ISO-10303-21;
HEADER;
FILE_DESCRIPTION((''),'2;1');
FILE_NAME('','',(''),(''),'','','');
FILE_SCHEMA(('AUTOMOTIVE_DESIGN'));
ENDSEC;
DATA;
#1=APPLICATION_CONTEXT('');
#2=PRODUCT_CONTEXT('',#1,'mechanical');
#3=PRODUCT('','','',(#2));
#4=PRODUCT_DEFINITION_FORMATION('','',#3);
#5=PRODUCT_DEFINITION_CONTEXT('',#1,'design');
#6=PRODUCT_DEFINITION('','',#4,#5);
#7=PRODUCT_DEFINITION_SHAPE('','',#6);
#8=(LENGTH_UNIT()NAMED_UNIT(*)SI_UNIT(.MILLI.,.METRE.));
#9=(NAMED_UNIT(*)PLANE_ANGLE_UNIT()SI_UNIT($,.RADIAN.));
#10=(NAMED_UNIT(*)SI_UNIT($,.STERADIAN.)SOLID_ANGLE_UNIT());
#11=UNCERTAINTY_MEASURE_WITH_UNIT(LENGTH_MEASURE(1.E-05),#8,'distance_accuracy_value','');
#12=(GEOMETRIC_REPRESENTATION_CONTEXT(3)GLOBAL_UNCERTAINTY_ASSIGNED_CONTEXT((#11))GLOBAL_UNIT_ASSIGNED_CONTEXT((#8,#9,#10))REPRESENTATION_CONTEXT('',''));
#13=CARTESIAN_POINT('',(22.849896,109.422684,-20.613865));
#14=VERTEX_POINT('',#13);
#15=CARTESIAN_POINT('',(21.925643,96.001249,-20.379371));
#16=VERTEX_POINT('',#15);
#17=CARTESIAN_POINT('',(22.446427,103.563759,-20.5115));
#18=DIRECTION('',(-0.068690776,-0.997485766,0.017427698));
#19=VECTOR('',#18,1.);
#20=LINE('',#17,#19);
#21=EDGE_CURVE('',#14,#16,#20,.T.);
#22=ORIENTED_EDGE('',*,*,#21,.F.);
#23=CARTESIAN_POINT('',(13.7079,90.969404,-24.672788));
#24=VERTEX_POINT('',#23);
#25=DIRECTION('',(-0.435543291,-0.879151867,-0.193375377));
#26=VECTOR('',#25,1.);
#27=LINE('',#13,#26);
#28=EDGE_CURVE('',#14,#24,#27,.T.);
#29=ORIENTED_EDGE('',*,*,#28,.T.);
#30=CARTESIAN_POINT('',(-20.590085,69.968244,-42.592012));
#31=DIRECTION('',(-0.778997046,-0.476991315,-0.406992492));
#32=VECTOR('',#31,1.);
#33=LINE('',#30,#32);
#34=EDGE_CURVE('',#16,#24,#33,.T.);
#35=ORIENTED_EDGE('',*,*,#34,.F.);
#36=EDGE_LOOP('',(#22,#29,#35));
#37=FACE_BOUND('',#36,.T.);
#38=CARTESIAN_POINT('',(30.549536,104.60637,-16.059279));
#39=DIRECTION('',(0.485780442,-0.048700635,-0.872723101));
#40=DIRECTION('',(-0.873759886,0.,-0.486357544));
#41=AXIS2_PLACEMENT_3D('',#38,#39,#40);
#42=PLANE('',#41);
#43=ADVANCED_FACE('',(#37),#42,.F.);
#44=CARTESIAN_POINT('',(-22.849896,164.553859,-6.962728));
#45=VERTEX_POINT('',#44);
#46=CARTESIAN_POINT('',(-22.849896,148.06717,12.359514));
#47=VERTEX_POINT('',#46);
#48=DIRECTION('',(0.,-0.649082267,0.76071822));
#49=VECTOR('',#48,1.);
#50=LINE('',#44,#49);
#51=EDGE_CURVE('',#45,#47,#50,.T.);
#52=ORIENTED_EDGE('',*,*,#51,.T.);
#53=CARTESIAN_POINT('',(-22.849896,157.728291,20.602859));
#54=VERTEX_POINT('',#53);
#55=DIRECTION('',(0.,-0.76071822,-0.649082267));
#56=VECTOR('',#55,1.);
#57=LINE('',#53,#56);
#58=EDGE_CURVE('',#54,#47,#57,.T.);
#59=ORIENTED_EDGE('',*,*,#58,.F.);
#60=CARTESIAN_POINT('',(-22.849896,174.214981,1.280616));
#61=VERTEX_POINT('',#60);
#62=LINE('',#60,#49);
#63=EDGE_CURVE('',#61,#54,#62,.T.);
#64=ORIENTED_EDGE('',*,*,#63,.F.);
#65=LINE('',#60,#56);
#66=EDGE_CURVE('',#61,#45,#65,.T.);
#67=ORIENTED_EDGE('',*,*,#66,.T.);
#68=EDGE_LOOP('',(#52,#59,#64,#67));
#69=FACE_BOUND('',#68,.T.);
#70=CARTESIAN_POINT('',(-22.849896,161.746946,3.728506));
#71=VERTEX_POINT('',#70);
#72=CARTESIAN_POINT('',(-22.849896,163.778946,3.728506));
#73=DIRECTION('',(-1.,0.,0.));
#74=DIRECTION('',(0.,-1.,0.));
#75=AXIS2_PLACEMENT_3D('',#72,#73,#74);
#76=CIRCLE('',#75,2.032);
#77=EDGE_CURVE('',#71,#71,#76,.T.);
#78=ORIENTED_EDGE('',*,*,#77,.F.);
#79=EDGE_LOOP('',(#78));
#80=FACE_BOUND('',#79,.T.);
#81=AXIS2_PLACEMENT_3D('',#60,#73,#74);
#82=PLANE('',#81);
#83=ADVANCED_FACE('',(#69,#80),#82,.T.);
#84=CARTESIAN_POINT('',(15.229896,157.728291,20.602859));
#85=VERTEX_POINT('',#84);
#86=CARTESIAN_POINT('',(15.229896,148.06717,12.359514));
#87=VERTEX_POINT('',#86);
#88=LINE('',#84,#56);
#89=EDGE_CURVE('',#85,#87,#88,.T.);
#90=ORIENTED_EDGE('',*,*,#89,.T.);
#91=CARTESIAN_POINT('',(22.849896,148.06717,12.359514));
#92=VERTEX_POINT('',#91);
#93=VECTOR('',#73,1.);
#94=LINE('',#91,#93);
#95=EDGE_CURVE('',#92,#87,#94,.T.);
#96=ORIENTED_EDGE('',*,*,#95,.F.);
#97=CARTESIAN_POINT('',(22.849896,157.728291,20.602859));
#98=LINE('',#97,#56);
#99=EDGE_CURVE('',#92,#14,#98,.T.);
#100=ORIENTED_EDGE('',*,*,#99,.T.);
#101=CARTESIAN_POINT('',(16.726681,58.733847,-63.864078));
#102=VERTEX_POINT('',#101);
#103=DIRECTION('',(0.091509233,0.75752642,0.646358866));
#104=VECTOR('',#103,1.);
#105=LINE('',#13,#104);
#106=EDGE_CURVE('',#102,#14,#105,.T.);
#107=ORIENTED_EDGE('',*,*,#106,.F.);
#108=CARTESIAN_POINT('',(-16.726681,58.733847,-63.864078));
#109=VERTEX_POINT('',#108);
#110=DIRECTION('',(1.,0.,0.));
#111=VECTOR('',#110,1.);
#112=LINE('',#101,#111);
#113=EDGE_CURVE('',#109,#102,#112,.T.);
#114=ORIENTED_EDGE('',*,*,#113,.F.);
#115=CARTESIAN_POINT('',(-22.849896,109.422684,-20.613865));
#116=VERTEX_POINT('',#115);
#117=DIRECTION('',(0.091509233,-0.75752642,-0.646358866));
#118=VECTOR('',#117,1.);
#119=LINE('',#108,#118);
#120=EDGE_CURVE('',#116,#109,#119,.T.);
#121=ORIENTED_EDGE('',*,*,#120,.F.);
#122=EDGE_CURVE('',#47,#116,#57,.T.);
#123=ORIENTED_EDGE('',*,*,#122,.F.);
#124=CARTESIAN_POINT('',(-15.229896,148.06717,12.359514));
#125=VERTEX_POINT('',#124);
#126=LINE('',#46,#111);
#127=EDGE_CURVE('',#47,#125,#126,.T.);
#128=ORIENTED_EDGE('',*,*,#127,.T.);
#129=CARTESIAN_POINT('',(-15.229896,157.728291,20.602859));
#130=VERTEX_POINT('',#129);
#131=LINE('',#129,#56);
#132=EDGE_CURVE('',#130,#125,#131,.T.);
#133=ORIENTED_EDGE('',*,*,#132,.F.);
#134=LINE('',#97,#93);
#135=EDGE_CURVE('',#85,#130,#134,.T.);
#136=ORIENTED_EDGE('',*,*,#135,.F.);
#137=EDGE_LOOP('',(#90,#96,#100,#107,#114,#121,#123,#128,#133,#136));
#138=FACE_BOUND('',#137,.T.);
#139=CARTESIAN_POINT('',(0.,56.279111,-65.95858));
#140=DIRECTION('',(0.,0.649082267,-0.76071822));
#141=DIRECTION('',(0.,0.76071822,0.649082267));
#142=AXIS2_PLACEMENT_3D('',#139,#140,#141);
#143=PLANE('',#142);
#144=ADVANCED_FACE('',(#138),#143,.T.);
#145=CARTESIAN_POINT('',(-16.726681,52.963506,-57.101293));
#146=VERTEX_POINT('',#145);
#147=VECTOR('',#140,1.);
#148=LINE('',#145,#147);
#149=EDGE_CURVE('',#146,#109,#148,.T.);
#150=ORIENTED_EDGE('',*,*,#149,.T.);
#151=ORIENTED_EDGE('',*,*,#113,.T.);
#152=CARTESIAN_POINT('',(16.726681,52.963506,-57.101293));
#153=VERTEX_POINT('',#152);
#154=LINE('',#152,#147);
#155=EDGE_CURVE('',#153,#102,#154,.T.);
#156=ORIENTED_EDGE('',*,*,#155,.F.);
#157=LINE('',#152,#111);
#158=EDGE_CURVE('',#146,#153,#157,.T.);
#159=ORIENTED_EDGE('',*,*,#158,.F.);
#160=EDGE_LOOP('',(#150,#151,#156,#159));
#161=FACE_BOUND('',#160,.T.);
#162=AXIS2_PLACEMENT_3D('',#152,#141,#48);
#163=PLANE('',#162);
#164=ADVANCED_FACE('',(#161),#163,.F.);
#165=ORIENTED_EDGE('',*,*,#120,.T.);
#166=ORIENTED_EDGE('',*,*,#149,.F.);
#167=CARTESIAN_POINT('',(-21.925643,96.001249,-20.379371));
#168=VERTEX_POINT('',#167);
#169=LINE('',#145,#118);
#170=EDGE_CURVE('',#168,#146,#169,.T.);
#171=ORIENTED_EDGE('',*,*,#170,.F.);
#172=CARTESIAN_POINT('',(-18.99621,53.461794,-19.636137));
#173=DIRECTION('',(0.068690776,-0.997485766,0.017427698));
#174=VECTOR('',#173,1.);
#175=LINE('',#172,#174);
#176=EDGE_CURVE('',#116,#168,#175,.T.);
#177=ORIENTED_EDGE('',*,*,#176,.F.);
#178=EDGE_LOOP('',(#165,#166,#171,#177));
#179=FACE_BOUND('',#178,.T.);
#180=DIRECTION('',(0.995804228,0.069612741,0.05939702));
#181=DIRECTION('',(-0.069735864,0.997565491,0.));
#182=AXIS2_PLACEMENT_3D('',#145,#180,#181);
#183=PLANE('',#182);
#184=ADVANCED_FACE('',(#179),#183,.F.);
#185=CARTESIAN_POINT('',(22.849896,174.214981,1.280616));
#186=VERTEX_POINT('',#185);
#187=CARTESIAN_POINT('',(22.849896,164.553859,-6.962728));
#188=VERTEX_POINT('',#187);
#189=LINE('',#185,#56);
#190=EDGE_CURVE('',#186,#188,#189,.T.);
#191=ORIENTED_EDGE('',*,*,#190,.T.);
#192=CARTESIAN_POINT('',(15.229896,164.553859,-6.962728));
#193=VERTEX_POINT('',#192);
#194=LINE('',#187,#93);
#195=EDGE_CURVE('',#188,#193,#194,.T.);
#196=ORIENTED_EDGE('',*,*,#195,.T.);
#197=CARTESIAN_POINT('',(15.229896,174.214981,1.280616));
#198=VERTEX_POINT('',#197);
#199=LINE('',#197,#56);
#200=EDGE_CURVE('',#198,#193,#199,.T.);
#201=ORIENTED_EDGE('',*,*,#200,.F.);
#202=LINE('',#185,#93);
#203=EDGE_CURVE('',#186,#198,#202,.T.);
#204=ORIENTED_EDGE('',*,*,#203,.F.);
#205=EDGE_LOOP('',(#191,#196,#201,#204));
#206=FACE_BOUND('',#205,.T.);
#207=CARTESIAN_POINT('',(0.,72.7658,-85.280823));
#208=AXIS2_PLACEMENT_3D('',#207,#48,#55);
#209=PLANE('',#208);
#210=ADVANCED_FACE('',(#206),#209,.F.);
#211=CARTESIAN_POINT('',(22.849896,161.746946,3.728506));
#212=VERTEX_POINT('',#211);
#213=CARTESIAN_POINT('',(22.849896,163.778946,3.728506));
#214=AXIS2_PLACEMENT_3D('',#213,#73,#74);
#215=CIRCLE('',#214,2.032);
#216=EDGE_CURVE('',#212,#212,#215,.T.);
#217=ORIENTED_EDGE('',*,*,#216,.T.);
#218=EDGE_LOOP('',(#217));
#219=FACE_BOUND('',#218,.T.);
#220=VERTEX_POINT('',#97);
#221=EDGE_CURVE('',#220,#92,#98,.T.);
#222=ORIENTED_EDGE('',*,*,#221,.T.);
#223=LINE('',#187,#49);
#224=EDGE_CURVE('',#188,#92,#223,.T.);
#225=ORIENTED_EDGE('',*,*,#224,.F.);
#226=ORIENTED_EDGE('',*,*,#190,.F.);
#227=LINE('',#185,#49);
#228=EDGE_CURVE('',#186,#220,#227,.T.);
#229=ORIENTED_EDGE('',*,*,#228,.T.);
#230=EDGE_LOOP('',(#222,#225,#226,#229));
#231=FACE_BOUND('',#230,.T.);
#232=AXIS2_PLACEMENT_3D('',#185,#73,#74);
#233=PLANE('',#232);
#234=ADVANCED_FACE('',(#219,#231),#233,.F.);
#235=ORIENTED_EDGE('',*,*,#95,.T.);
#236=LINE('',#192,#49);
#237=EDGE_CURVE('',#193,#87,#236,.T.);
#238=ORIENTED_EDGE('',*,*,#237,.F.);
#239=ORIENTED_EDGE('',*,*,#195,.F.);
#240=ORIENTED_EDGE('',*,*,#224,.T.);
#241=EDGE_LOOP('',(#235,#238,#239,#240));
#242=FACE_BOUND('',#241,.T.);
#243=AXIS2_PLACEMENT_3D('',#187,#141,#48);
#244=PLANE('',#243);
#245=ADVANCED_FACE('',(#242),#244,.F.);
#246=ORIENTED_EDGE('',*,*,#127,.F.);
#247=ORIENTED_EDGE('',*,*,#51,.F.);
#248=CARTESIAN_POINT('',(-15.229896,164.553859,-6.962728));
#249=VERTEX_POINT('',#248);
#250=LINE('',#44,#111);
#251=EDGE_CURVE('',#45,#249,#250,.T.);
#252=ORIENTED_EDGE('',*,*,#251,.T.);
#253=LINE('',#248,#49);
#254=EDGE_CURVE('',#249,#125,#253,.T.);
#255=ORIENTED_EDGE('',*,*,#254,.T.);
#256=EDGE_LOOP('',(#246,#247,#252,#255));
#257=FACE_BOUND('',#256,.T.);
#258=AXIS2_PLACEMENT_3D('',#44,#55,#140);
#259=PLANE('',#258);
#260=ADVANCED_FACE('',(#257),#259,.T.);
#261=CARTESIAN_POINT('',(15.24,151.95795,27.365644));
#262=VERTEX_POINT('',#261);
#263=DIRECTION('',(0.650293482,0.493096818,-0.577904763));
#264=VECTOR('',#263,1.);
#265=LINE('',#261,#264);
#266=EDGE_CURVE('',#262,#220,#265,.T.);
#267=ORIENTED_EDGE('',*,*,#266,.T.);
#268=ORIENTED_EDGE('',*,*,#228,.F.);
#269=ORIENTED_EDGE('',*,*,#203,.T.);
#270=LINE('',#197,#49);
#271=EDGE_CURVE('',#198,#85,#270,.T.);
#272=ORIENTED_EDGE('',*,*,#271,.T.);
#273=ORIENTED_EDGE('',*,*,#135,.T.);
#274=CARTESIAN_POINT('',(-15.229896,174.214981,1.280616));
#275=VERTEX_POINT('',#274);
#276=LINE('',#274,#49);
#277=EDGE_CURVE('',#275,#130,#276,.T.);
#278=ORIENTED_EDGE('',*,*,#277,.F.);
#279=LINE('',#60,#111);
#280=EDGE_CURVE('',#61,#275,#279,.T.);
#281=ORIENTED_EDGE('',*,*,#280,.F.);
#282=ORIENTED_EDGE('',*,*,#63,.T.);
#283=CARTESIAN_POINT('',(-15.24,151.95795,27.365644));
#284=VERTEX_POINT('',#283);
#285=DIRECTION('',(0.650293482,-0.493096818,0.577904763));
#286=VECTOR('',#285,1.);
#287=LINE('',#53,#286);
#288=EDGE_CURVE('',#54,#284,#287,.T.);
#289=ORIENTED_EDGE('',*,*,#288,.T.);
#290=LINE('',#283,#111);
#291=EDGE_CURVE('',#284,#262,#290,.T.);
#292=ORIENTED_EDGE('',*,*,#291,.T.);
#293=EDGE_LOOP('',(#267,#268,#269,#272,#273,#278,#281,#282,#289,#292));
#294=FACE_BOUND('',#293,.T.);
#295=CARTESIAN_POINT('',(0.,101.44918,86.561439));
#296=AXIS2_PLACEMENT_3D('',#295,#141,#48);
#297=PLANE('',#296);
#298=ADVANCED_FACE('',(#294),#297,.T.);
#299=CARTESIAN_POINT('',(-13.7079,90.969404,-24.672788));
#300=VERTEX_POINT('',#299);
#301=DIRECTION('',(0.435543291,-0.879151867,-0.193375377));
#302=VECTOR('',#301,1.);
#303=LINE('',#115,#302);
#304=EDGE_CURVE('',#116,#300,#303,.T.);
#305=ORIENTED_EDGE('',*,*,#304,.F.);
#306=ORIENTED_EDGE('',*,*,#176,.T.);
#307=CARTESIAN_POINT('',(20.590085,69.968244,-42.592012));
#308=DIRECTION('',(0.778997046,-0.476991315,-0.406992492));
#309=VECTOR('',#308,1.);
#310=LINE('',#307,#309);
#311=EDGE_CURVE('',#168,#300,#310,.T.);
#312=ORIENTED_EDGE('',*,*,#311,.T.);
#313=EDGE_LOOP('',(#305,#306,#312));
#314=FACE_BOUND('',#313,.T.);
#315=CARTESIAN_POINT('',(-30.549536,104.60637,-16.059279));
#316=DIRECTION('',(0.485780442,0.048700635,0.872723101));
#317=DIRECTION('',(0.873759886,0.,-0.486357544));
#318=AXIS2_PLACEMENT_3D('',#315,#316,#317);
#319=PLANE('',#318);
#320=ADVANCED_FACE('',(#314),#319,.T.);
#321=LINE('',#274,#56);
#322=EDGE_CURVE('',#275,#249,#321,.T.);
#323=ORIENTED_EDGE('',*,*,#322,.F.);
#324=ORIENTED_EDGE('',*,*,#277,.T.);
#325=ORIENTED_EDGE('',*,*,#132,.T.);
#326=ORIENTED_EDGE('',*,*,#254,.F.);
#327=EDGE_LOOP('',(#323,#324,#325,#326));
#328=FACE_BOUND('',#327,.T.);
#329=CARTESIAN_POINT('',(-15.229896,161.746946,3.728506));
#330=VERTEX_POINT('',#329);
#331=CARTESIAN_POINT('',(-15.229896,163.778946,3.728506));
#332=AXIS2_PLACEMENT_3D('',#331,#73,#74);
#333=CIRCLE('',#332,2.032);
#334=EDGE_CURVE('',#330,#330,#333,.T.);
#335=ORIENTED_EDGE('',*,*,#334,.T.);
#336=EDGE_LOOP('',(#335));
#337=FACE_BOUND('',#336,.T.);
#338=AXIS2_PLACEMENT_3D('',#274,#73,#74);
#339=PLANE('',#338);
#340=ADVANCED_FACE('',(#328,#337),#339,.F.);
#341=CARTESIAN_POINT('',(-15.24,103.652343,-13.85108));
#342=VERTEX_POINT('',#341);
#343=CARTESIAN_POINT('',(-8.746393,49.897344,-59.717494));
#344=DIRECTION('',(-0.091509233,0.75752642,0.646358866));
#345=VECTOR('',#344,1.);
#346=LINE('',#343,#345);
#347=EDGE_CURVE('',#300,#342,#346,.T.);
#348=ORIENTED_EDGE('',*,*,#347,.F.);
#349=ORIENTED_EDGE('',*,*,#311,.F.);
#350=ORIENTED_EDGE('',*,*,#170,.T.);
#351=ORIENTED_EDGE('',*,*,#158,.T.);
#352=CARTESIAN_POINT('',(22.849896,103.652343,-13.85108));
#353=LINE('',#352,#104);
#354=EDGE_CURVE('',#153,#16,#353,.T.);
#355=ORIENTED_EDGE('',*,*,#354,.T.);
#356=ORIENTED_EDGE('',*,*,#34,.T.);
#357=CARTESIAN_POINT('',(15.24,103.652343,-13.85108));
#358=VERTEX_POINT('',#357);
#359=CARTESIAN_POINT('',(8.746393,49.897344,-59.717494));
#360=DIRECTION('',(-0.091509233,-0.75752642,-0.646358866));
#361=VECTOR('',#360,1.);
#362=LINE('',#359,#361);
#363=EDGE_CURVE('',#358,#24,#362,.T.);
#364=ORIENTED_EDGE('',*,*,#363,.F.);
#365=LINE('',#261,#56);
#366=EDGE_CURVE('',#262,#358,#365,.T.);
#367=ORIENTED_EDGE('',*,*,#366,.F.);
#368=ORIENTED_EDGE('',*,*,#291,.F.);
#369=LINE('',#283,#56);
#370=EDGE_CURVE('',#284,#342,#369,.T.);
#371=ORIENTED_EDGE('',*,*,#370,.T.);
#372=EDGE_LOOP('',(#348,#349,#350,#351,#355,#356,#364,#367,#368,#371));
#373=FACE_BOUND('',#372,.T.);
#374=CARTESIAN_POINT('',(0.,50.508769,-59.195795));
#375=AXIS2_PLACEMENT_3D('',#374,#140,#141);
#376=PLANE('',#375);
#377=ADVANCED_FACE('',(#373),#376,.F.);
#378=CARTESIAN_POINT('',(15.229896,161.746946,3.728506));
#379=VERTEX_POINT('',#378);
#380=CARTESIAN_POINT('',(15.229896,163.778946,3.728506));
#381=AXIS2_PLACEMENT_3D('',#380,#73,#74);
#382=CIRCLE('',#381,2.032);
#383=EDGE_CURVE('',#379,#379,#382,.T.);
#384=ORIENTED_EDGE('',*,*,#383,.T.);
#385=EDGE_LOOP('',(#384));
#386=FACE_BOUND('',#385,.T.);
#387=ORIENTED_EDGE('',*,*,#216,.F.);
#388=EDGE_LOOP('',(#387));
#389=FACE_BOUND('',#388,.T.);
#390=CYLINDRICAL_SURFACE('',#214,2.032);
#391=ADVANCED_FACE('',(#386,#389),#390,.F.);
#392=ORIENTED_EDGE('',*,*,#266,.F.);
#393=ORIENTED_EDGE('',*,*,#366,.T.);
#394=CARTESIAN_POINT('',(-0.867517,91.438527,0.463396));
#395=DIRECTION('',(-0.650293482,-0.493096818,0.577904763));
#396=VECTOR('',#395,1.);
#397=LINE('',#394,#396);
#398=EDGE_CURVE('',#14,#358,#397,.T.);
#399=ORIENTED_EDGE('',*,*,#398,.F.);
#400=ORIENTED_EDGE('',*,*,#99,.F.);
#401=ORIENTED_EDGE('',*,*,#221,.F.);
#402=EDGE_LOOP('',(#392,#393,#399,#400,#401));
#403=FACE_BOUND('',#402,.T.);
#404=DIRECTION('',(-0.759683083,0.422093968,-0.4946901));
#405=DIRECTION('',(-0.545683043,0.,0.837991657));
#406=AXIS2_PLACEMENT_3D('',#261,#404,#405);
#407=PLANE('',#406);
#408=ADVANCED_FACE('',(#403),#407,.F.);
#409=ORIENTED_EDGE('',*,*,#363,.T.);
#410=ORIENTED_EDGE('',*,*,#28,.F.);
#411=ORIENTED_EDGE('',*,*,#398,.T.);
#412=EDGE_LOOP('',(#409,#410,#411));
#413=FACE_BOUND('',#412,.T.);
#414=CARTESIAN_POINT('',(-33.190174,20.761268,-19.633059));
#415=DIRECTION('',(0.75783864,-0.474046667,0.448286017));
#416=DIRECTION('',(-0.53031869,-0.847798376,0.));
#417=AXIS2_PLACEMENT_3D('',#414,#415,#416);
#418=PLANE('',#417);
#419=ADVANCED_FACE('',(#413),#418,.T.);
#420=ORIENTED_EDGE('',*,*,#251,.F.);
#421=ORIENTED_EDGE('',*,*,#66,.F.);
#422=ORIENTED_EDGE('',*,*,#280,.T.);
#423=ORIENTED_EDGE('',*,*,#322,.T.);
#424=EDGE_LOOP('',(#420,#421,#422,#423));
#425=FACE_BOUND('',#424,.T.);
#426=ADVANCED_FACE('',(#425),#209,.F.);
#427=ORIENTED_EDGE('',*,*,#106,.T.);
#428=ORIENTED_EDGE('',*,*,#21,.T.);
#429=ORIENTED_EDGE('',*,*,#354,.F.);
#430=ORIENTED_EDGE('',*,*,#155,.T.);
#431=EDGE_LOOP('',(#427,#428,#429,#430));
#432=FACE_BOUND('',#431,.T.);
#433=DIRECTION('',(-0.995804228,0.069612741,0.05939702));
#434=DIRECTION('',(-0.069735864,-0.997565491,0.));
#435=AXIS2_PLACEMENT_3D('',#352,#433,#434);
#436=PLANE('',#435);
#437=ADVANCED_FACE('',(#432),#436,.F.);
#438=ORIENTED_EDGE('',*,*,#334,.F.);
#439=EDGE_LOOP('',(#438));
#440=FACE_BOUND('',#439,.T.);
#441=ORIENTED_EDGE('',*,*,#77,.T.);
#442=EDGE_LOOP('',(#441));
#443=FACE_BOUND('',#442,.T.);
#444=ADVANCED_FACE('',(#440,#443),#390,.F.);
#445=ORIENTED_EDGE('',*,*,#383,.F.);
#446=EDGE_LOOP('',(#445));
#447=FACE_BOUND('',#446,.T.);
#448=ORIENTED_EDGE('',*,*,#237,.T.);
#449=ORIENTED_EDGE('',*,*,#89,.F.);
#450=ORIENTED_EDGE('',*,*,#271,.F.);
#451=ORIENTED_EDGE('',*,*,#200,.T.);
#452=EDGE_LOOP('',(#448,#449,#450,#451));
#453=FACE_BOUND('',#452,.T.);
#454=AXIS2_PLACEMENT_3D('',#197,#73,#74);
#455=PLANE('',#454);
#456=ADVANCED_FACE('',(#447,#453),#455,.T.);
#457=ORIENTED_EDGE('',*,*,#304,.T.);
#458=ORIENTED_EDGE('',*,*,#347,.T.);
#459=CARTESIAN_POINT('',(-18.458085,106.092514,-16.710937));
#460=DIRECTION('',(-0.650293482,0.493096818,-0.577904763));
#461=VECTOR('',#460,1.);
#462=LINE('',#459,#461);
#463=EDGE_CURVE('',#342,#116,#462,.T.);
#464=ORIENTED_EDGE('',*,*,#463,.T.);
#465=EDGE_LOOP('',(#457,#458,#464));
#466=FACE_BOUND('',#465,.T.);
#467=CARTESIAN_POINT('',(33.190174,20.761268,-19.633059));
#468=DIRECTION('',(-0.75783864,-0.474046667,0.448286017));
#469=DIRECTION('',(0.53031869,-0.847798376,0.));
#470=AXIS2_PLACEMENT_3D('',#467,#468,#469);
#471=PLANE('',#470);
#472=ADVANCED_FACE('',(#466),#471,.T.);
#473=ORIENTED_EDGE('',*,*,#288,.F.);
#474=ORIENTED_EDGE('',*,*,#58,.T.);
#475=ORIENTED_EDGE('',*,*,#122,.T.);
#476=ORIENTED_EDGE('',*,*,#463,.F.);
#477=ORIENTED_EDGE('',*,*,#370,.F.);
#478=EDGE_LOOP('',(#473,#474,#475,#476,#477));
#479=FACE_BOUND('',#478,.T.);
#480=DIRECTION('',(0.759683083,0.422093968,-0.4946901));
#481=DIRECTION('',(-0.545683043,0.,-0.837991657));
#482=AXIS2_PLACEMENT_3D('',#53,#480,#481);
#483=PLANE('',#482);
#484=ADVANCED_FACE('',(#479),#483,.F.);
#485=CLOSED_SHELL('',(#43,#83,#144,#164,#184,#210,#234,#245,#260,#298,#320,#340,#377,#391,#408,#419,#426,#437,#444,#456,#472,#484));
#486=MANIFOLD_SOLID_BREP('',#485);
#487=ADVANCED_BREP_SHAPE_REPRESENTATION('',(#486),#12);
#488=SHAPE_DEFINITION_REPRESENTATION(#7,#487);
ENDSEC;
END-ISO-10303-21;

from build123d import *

# Parameters (mm, degrees)
BOSS_EXTRUDE1_DEPTH = 8.89
SKETCH9_W           = 38.1
SKETCH9_H           = 121.867408042
CUT_EXTRUDE1_DEPTH  = 10.16
BOSS_EXTRUDE2_DEPTH = 63.5
SKETCH12_W          = 7.62
SKETCH12_H          = 12.7
BOSS_EXTRUDE3_DEPTH = 25.4
SKETCH13_R          = 2.031999992
CUT_EXTRUDE2_DEPTH  = 192.096705726


with BuildPart() as part:
    # Sketch2 → Boss-Extrude1 (new body)
    with BuildSketch(Plane(origin=(0, 56.279110665, -65.958580335), x_dir=(1, 0, 0), z_dir=(-2.6819765335530572e-15, -0.6490822674547435, 0.7607182198921023))):
        Polygon((-16.72668145, 3.22686704), (-22.849895735, 69.859735371), (22.849895735, 69.859735371), (16.72668145, 3.22686704), align=None)
    extrude(amount=BOSS_EXTRUDE1_DEPTH)

    # Sketch9 → Cut-Extrude1 (cut)
    with BuildSketch(Plane(origin=(33.190173949, 20.761268326, -19.633059225), x_dir=(0.48578044214566346, 0.04870063464806599, 0.8727231005385612), z_dir=(-0.757838639718343, -0.4740466672810366, 0.44828601739246093))):
        with Locations((-4.711274375, 41.231357985)):
            Rectangle(SKETCH9_W, SKETCH9_H)
    cut_extrude1 = extrude(amount=CUT_EXTRUDE1_DEPTH, mode=Mode.SUBTRACT)

    # Mirror1: Cut-Extrude1 across plane
    add(cut_extrude1.mirror(Plane.ZY), mode=Mode.SUBTRACT)

    # Sketch11 → Boss-Extrude2 (add)
    with BuildSketch(Plane(origin=(0, 53.143573534, 45.344715438), x_dir=(1, 0, 0), z_dir=(3.7947063652272325e-15, 0.7607182198921023, 0.6490822674547434))):
        Polygon((-22.849895735, 86.70566658), (-15.24, 77.81566658), (15.24, 77.81566658), (22.849895735, 86.70566658), align=None)
    extrude(amount=BOSS_EXTRUDE2_DEPTH)

    # Sketch12 → Boss-Extrude3 (add)
    with BuildSketch(Plane(origin=(0, 56.279110665, -65.958580335), x_dir=(-1, 0, 0), z_dir=(2.6000297763106772e-15, 0.6490822674547435, -0.7607182198921024))):
        with Locations((-19.039895735, 127.009735371)):
            Rectangle(SKETCH12_W, SKETCH12_H)
    boss_extrude3 = extrude(amount=BOSS_EXTRUDE3_DEPTH)

    # Mirror2: Boss-Extrude3 across plane
    add(boss_extrude3.mirror(Plane(origin=(0, 0, 0), x_dir=(0, 0, 1), z_dir=(1, 0, 0))))

    # Sketch13 → Cut-Extrude2 (cut, through all)
    with BuildSketch(Plane.ZY.offset(22.849895735)):
        with Locations(Location((3.72850645, 163.778945597, 0), (0, 0, 270))):
            Circle(SKETCH13_R)
    extrude(amount=-CUT_EXTRUDE2_DEPTH, mode=Mode.SUBTRACT)


solid = part.part
